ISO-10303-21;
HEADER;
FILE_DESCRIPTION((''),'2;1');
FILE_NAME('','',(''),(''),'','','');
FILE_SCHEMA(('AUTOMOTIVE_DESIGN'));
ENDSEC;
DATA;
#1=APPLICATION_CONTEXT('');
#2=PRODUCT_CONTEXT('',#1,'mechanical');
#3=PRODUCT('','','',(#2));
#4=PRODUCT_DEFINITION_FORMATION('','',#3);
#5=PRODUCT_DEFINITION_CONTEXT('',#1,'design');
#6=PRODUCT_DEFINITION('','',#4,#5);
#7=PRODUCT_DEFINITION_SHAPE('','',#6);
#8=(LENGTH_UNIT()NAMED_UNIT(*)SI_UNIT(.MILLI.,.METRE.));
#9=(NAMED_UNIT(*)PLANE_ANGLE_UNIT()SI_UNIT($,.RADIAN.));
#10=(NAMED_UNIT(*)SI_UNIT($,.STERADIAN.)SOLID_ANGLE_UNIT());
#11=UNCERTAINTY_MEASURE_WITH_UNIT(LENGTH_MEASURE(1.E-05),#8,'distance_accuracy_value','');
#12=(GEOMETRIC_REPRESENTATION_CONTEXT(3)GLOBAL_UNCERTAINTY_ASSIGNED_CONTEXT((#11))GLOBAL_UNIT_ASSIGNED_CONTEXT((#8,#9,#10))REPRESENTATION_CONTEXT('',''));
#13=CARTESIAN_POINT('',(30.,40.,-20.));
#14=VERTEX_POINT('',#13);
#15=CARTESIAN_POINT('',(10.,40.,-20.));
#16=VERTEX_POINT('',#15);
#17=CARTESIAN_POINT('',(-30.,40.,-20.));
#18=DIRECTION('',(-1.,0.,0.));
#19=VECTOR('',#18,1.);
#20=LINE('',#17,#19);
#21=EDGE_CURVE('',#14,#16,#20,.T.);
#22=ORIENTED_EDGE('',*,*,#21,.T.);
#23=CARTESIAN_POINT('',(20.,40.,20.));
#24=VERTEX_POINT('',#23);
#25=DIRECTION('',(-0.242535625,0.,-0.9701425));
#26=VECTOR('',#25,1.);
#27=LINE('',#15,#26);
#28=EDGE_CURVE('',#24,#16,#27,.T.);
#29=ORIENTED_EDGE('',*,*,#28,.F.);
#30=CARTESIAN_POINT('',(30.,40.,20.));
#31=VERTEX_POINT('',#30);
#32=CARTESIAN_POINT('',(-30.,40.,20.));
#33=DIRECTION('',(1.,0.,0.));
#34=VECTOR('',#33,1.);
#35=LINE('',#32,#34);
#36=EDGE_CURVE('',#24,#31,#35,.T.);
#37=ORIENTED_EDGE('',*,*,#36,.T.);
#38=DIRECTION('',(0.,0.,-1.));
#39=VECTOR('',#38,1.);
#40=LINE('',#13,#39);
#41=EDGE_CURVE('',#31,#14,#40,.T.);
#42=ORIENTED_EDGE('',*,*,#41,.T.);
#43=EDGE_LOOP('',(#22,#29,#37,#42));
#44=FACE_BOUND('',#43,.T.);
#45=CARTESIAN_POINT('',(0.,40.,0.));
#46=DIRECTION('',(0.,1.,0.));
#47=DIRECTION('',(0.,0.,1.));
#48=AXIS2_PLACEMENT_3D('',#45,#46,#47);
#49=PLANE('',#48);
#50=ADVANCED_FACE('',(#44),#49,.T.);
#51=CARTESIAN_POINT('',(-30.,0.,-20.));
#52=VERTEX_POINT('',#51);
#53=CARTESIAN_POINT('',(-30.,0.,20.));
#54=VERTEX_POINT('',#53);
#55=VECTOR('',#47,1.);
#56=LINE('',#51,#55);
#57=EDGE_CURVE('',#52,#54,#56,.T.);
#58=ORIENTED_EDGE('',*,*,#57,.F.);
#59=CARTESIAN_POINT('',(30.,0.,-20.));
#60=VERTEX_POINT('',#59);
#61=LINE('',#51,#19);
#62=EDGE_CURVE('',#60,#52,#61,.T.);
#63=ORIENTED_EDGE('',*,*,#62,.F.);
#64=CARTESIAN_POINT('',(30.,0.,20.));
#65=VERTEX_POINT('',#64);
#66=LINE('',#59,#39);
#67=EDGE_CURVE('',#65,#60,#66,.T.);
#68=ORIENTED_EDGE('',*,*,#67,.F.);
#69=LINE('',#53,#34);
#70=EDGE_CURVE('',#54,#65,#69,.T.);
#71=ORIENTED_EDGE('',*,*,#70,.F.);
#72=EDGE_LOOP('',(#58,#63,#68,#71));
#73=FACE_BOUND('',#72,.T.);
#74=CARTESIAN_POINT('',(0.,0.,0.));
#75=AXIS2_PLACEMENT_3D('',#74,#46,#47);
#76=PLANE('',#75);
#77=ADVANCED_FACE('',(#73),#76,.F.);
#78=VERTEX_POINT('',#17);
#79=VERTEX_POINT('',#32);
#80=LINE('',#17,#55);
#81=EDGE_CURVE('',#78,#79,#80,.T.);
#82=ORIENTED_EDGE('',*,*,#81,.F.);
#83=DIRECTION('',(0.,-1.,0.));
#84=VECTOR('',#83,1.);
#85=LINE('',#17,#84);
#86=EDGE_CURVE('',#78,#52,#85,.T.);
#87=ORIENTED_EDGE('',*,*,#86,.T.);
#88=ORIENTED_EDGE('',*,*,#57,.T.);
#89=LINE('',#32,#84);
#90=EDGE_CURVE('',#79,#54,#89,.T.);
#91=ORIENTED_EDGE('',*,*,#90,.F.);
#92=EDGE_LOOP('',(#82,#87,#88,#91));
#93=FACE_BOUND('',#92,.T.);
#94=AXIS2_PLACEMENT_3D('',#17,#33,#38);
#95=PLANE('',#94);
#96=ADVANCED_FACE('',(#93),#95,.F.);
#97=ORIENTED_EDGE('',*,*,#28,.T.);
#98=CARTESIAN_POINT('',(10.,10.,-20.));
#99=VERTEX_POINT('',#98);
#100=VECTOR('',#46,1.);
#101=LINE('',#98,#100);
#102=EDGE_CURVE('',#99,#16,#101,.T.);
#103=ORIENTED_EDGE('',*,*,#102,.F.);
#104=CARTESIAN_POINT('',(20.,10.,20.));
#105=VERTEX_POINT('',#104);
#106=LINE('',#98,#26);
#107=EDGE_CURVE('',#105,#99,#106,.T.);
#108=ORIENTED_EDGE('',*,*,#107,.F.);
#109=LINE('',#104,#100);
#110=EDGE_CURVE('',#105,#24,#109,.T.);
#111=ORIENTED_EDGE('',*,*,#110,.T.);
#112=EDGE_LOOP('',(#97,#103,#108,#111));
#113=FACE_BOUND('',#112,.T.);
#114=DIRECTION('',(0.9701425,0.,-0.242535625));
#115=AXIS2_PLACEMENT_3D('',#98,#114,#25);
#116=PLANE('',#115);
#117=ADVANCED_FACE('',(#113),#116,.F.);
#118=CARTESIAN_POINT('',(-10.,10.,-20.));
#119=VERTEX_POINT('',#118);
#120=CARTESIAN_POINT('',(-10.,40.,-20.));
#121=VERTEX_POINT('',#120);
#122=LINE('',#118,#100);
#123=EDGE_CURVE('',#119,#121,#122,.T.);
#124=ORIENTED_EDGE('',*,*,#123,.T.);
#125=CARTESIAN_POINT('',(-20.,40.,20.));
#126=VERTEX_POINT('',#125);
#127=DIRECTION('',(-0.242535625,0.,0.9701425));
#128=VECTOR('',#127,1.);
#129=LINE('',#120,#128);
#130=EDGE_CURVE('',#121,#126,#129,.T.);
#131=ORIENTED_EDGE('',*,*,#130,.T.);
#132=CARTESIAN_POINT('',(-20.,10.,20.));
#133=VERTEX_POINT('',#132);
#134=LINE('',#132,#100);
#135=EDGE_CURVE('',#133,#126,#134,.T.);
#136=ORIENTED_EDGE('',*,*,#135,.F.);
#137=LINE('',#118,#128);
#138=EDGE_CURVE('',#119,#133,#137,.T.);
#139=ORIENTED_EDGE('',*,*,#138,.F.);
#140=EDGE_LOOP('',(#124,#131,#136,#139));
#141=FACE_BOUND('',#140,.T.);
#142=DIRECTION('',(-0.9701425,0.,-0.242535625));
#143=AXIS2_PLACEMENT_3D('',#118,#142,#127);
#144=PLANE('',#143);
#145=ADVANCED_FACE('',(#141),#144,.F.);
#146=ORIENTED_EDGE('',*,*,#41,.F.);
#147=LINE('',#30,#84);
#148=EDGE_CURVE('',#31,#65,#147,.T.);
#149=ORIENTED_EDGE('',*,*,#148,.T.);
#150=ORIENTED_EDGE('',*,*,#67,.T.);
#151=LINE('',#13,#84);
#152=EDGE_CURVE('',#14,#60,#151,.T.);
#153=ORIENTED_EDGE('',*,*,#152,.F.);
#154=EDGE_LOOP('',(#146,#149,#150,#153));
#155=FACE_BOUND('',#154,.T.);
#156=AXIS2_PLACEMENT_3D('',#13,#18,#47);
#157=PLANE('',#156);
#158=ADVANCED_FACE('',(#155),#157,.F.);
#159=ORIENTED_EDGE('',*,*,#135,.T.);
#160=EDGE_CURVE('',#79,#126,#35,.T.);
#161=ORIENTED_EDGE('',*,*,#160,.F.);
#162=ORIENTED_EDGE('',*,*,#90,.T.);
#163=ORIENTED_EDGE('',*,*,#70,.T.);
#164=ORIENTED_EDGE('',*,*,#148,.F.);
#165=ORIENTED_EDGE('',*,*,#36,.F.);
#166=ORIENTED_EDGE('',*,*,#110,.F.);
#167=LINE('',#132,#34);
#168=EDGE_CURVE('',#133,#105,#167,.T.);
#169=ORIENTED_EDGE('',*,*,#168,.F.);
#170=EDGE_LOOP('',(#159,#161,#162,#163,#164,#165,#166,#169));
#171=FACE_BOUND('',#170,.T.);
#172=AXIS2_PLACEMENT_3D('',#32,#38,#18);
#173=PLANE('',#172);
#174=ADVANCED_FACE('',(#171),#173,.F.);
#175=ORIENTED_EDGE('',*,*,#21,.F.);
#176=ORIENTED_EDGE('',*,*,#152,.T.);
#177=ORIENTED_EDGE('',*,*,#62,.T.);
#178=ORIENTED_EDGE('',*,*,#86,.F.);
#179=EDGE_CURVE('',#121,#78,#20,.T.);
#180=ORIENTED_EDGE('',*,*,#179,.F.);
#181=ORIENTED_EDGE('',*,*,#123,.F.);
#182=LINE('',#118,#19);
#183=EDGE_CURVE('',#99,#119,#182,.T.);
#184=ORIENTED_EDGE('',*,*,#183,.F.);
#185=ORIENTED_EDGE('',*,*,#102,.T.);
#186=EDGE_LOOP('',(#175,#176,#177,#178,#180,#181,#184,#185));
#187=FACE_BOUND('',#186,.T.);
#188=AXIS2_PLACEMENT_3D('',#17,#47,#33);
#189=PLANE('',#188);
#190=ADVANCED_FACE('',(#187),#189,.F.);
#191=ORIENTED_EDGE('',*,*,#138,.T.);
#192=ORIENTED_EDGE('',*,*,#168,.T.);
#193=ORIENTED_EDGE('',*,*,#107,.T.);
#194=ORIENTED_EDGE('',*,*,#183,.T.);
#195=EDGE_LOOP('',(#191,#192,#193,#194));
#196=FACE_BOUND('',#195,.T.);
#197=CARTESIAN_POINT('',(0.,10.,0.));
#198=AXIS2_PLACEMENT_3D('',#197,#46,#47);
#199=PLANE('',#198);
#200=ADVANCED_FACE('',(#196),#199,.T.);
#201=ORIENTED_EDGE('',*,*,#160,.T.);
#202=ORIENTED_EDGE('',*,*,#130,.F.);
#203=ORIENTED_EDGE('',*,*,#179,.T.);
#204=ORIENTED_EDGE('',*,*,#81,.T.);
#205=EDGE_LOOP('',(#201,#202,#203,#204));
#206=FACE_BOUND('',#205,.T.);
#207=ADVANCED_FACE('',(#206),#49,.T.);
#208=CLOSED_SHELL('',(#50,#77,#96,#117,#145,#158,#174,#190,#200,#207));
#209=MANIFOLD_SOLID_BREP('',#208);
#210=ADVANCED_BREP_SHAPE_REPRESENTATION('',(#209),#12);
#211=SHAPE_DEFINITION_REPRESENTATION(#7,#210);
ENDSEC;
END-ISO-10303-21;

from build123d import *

# Parameters (mm, degrees)
SKETCH1_W           = 60
SKETCH1_H           = 40
BOSS_EXTRUDE1_DEPTH = 40
CUT_EXTRUDE1_DEPTH  = 30


with BuildPart() as part:
    # Sketch1 → Boss-Extrude1 (new body)
    with BuildSketch(Plane(origin=(0, 0, 0), x_dir=(1, 0, 0), z_dir=(0, 1, 0))):
        Rectangle(SKETCH1_W, SKETCH1_H)
    extrude(amount=BOSS_EXTRUDE1_DEPTH)

    # Sketch2 → Cut-Extrude1 (cut)
    with BuildSketch(Plane(origin=(0, 40, 0), x_dir=(1, 0, 0), z_dir=(0, 1, 0))):
        Polygon((-10, 20), (10, 20), (20, -20), (-20, -20), align=None)
    extrude(amount=-CUT_EXTRUDE1_DEPTH, mode=Mode.SUBTRACT)


solid = part.part
